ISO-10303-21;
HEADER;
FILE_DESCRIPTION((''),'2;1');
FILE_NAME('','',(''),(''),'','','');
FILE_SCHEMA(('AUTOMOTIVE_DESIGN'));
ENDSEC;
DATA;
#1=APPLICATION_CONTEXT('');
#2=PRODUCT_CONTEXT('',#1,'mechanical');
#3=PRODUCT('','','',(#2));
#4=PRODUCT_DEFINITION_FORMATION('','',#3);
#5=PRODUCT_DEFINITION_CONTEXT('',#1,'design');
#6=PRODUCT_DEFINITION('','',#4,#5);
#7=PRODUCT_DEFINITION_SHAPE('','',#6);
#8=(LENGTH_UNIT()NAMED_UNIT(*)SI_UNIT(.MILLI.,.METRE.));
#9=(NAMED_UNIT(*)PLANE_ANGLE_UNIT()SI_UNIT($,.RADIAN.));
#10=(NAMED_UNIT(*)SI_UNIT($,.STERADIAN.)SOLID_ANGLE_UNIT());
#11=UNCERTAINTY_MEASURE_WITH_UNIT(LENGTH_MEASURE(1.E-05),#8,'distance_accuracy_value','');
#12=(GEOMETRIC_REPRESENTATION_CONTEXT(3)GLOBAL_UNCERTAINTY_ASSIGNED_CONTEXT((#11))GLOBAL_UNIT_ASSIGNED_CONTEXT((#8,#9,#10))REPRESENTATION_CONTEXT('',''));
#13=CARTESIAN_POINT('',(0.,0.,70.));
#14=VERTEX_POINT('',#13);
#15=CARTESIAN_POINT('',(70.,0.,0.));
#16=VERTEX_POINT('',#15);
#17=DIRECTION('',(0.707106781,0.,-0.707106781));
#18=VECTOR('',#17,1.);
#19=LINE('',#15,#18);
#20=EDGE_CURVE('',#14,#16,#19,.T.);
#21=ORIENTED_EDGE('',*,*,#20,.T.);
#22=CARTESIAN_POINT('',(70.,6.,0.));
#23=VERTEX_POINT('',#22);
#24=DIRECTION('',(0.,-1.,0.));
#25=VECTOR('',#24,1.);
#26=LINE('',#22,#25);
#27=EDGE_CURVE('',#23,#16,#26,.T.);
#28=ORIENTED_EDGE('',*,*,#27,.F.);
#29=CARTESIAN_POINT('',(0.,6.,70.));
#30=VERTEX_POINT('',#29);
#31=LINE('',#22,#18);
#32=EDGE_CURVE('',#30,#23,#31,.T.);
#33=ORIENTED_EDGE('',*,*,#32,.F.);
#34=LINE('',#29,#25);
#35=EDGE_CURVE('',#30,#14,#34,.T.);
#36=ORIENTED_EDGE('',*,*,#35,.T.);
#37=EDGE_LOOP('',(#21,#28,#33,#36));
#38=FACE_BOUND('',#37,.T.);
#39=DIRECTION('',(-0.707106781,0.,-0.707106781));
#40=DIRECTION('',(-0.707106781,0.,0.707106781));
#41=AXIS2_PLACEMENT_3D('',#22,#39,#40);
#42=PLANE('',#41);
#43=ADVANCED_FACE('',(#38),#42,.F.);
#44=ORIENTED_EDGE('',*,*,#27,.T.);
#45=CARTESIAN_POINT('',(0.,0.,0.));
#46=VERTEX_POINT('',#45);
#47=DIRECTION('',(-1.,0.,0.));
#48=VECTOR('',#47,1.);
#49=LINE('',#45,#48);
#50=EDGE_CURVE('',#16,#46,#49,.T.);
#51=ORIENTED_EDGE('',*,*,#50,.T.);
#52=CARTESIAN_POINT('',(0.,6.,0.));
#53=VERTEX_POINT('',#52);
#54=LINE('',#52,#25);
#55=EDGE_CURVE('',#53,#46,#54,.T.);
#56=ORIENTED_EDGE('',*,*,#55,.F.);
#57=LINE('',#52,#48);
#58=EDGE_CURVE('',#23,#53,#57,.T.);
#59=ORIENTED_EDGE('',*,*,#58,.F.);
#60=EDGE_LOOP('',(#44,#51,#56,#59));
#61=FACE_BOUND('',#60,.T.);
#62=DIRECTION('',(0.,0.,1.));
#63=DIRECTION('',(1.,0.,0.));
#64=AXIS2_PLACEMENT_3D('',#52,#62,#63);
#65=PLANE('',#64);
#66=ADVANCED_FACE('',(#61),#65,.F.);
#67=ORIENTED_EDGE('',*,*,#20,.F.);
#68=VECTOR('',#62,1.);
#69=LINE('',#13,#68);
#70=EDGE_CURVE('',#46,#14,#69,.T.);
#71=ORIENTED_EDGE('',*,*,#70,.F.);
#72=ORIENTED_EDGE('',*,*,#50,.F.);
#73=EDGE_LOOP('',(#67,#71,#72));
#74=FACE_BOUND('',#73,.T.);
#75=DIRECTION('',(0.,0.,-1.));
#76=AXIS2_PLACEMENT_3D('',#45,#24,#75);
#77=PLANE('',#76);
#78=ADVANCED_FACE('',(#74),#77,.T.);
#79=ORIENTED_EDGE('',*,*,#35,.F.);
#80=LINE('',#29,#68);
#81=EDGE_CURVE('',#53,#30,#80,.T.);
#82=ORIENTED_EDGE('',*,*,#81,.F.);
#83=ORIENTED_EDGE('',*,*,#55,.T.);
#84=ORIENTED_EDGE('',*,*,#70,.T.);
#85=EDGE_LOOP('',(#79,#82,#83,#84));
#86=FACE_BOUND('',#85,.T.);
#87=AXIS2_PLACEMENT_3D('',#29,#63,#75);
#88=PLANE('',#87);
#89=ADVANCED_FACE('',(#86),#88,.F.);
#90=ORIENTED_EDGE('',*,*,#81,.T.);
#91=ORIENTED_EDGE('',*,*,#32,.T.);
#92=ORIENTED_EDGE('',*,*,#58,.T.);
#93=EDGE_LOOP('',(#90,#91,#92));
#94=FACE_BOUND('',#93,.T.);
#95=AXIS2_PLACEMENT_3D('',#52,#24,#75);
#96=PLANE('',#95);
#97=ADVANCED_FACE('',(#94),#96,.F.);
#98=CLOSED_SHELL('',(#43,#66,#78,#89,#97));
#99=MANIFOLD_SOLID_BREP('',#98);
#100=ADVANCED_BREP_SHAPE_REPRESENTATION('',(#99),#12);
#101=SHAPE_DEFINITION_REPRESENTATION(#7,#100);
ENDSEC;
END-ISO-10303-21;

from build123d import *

# Parameters (mm, degrees)
BOSS_EXTRUDE1_DEPTH = 6


with BuildPart() as part:
    # Sketch1 → Boss-Extrude1 (new body)
    with BuildSketch(Plane(origin=(0, 0, 0), x_dir=(1, 0, 0), z_dir=(0, 1, 0))):
        Polygon((0, 0), (70, 0), (0, -70), align=None)
    extrude(amount=BOSS_EXTRUDE1_DEPTH)


solid = part.part
